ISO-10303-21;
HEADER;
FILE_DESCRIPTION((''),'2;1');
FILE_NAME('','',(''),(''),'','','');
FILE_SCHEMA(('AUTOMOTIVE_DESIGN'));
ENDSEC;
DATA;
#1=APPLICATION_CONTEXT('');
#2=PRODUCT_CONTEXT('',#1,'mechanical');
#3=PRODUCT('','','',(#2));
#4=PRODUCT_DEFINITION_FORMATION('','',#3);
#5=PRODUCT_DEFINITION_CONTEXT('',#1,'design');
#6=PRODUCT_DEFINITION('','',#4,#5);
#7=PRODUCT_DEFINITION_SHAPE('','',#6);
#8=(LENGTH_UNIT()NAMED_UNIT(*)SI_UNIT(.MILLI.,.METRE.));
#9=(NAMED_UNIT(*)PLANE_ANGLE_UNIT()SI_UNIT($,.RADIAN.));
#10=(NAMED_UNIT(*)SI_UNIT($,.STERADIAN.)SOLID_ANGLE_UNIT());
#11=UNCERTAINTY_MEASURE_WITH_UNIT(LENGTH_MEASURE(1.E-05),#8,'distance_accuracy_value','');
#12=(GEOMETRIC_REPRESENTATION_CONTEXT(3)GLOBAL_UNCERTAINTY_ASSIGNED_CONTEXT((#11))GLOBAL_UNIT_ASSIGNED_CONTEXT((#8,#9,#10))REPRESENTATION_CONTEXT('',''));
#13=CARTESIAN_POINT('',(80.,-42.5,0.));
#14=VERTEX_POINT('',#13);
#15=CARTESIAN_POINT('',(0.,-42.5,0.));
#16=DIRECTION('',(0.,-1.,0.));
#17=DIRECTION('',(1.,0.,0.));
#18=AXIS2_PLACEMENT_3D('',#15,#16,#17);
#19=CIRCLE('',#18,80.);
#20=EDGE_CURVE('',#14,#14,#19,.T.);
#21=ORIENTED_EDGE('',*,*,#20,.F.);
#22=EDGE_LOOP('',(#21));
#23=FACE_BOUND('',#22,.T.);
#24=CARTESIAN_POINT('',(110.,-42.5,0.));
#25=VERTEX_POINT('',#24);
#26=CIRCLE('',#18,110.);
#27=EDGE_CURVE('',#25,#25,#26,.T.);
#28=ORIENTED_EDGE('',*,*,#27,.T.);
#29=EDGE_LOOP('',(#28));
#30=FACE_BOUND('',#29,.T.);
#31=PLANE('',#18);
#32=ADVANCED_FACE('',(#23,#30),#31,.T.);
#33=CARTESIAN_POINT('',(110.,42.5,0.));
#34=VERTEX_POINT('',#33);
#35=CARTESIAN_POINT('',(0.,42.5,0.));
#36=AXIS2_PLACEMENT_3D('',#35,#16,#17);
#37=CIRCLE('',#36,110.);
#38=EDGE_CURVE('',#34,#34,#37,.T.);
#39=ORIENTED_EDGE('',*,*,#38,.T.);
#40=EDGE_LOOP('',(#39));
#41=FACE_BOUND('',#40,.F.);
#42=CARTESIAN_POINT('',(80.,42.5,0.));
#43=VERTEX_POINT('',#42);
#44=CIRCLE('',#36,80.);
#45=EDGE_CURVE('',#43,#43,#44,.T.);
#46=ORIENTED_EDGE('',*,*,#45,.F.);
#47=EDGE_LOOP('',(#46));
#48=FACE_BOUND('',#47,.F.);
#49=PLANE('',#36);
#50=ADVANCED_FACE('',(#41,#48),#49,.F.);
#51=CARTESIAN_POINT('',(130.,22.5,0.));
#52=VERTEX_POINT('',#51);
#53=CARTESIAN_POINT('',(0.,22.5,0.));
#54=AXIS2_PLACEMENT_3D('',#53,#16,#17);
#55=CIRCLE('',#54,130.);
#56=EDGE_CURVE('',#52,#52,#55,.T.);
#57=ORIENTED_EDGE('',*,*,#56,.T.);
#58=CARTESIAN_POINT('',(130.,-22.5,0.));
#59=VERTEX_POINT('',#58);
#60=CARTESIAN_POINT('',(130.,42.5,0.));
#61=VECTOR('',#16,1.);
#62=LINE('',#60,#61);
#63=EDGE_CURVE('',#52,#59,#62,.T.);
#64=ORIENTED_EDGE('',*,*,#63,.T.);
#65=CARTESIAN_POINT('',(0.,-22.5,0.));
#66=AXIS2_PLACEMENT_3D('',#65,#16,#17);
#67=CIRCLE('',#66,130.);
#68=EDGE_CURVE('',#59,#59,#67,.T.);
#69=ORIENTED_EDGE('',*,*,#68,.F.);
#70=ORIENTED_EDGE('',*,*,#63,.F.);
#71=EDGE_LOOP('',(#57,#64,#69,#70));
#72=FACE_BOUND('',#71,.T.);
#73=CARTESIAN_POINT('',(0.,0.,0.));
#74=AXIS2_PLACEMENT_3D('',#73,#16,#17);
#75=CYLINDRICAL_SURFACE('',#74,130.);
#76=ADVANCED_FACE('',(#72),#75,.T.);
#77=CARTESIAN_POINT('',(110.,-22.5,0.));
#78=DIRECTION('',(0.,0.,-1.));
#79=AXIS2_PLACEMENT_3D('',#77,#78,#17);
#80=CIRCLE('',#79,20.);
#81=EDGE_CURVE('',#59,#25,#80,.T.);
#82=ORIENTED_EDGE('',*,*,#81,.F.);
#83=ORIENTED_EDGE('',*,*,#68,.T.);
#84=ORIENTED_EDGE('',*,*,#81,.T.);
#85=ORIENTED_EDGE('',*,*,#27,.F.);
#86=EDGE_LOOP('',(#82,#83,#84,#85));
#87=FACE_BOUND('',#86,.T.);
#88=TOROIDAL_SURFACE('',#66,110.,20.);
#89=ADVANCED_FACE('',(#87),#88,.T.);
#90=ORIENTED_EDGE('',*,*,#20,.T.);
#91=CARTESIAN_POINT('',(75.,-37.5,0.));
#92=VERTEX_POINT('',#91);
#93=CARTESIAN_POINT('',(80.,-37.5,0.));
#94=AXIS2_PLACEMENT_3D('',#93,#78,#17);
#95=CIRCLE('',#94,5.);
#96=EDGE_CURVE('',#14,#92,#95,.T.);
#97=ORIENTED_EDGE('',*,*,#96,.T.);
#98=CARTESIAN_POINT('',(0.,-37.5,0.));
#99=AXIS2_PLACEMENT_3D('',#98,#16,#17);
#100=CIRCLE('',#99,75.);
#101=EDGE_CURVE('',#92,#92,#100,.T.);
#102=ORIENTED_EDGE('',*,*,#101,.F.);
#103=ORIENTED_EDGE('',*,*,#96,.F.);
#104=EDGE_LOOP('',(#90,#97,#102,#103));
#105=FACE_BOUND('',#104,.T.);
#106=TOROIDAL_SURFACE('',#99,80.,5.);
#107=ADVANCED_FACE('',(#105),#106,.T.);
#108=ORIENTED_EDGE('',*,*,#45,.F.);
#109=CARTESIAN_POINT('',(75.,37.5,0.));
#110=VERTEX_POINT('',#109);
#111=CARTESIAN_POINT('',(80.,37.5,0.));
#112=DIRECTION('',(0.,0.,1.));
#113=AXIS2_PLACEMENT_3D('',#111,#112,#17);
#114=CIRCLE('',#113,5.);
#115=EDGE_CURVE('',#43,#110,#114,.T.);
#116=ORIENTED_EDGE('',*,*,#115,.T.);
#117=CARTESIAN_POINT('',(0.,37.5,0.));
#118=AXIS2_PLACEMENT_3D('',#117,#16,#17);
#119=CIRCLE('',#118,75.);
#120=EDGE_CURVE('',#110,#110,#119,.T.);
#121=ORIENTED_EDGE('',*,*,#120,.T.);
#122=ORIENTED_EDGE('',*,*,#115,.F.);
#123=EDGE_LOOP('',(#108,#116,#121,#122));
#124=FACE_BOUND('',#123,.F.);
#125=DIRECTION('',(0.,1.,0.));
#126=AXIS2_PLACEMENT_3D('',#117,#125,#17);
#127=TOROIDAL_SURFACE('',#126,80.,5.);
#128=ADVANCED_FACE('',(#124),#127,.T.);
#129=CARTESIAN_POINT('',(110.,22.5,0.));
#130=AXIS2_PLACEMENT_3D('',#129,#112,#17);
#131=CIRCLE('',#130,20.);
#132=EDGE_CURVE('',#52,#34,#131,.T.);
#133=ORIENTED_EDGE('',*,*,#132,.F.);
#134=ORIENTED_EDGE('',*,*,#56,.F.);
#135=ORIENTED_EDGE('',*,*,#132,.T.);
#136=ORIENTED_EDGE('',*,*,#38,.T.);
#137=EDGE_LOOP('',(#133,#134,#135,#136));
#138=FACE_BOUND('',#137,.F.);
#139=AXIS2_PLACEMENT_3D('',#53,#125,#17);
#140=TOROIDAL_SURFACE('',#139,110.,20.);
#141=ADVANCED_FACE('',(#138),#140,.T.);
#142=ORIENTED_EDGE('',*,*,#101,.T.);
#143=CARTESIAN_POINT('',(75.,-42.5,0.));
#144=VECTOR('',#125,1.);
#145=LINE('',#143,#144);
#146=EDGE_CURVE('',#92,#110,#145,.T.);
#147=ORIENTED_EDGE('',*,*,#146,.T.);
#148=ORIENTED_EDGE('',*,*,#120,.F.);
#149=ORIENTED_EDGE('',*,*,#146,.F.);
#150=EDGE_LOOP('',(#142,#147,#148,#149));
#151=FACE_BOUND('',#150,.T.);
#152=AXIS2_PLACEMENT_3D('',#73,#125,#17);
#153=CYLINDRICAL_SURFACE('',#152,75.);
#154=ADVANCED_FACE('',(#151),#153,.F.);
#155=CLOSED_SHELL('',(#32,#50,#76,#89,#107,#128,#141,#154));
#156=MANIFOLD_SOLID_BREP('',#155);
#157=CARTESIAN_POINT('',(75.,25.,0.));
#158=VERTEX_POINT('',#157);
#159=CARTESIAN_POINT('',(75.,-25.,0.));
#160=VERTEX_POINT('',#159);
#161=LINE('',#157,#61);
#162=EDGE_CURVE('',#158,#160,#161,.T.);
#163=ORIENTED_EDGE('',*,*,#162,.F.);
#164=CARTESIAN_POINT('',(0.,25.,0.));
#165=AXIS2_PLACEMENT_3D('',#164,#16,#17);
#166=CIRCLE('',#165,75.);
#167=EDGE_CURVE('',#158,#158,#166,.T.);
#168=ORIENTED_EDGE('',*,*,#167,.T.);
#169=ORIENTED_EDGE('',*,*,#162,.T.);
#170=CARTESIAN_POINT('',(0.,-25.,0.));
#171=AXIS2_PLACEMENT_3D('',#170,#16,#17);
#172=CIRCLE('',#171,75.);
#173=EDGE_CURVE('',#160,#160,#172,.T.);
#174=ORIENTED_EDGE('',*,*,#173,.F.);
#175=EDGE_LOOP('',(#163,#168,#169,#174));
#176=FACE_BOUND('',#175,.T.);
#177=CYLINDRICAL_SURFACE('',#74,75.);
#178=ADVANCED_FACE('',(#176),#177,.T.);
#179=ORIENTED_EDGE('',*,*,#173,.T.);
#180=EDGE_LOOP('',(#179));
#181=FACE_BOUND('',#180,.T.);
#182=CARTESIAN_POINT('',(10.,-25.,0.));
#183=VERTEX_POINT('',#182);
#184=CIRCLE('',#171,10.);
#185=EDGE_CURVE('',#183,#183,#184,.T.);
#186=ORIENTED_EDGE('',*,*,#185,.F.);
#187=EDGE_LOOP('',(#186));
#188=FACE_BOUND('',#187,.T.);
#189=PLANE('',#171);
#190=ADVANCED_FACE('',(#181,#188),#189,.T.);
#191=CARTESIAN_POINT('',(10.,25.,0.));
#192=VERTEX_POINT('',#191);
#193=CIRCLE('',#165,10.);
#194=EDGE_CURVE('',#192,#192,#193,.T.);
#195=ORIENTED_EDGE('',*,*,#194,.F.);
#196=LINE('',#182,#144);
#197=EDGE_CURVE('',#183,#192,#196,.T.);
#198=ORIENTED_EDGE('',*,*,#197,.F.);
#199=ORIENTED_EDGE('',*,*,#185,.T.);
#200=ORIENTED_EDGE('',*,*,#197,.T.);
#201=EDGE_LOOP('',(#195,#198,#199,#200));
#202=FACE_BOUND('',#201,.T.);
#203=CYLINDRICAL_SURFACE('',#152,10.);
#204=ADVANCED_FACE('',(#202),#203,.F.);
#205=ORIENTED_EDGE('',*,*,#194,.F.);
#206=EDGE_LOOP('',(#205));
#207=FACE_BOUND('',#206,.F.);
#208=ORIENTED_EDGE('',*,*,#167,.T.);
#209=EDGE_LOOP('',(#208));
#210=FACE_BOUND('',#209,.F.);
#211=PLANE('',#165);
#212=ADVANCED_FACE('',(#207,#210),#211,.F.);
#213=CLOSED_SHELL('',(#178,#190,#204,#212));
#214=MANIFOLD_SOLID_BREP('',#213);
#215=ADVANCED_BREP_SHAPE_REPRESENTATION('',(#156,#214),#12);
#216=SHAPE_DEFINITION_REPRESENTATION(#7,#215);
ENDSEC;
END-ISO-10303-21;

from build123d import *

# Parameters (mm, degrees)
F0_R     = 75
F0_R_2   = 10
F1_DEPTH = 25
F0_R_3   = 130
F2_DEPTH = 42.5
F3_R     = 20
F4_R     = 5


with BuildPart() as f1:
    # F0 (on Front) → F1 (new body, symmetric)
    with BuildSketch(Plane.XZ):
        Circle(F0_R)
        Circle(F0_R_2, mode=Mode.SUBTRACT)
    extrude(amount=F1_DEPTH, both=True)


with BuildPart() as f2:
    # F0 (on Front) → F2 (new body, symmetric)
    with BuildSketch(Plane.XZ):
        Circle(F0_R_3)
        Circle(F0_R, mode=Mode.SUBTRACT)
    extrude(amount=F2_DEPTH, both=True)

    # F3
    f3_edges = [f2.edges().sort_by_distance(p)[0] for p in [
        (-130, -42.5, 0),
        (-130, 42.5, 0),
    ]]
    fillet(f3_edges, radius=F3_R)

    # F4
    f4_edges = [f2.edges().sort_by_distance(p)[0] for p in [
        (-75, -42.5, 0),
        (-75, 42.5, 0),
    ]]
    fillet(f4_edges, radius=F4_R)


solid = Compound([f1.part, f2.part])
